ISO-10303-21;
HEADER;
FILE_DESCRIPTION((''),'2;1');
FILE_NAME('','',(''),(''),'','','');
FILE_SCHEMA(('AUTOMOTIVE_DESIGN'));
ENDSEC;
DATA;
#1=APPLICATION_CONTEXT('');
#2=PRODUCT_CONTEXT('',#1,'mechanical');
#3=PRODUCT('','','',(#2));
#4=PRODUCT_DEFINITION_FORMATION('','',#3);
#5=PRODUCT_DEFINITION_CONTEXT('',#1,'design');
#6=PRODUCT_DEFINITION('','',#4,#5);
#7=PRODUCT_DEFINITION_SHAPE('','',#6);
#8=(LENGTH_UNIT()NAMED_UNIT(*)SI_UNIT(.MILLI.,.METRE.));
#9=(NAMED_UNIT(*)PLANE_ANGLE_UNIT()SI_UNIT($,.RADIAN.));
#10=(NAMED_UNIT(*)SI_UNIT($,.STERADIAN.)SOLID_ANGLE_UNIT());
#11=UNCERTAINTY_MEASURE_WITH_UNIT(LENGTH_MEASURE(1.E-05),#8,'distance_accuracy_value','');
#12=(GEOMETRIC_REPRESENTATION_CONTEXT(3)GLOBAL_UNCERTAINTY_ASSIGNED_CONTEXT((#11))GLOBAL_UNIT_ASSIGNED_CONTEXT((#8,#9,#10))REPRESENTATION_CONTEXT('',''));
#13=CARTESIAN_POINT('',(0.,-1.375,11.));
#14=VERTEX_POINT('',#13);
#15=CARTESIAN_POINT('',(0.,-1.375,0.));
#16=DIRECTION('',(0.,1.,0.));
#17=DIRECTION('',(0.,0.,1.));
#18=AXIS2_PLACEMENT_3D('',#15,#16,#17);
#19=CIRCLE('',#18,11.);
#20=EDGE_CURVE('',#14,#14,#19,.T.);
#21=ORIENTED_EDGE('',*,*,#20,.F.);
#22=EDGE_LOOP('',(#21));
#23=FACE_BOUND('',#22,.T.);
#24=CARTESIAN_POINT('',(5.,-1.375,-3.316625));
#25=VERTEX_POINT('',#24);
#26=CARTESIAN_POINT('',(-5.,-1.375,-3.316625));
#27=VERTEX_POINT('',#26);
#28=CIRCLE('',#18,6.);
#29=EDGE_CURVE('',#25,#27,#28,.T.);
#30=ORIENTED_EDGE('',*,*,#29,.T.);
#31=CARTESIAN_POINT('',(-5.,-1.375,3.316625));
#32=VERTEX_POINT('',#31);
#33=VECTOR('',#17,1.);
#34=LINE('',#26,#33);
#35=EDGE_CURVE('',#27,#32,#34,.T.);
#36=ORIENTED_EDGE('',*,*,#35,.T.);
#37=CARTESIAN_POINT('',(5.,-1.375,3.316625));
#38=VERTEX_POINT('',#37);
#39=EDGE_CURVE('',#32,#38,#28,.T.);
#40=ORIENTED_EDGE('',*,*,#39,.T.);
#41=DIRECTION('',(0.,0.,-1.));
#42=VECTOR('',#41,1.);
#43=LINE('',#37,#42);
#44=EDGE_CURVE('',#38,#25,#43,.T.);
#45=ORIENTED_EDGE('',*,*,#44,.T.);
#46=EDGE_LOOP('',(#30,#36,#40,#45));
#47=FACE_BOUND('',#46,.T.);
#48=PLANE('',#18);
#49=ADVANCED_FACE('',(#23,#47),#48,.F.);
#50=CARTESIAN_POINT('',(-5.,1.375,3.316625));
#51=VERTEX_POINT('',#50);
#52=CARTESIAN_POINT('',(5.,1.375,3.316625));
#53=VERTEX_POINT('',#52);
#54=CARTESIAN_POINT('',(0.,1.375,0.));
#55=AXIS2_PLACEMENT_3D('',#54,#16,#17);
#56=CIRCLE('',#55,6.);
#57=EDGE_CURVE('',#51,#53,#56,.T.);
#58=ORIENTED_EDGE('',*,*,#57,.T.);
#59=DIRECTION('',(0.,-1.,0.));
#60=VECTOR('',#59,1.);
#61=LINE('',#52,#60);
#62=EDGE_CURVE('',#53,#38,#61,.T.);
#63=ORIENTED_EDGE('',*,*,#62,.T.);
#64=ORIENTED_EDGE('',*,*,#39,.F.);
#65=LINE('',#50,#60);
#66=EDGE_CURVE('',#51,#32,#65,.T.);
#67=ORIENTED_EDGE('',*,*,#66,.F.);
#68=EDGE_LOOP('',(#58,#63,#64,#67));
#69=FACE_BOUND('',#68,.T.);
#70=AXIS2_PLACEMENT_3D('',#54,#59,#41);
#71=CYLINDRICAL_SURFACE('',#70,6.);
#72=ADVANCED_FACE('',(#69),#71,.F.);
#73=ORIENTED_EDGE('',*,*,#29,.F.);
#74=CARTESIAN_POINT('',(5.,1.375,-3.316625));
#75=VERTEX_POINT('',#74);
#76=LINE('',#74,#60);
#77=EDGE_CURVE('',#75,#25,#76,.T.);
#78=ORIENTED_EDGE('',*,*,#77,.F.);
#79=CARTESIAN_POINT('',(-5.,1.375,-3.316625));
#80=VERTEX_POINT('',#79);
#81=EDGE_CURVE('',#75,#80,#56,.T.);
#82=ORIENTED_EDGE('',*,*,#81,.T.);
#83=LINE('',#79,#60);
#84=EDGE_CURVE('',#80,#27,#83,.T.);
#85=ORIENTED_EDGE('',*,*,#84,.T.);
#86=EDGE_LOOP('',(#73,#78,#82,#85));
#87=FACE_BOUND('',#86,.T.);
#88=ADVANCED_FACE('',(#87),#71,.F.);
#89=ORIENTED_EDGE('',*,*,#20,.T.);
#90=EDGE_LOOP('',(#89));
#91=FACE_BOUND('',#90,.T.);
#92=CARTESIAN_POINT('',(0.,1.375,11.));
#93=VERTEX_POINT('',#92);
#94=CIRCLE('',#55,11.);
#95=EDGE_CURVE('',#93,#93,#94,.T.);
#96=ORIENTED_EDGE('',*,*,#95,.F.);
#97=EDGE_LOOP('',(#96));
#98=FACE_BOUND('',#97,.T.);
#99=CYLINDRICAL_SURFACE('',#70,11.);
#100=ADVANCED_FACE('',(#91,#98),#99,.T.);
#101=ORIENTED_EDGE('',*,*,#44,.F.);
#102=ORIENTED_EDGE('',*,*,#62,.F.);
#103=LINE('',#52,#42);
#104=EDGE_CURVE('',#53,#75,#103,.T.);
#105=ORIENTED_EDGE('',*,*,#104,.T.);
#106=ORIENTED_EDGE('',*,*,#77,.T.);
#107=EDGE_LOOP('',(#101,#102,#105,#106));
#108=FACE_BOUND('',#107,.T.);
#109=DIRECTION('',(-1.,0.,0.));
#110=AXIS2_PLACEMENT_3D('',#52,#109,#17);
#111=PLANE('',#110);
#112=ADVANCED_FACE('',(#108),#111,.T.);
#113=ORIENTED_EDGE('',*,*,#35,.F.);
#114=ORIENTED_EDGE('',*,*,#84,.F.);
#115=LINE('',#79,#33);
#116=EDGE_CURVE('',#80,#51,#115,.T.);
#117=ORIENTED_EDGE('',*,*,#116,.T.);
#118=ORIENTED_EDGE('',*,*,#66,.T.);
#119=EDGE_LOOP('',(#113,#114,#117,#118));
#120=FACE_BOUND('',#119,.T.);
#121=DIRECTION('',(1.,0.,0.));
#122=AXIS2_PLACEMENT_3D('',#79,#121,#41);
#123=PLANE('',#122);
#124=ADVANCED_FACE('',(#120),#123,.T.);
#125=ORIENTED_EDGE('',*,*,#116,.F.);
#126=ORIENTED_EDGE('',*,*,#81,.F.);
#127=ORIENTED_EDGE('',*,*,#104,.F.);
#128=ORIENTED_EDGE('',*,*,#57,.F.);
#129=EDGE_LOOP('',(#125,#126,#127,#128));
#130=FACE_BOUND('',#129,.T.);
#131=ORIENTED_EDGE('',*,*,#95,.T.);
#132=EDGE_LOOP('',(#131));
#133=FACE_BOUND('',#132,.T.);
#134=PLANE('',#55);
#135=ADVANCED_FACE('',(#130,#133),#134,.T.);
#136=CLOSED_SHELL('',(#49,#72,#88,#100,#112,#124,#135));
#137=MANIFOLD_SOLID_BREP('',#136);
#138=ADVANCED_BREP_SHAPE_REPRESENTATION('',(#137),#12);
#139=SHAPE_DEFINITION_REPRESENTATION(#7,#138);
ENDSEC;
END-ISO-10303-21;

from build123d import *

# Parameters (mm, degrees)
SKETCH1_R           = 11
BOSS_EXTRUDE1_DEPTH = 1.375


with BuildPart() as part:
    # Sketch1 → Boss-Extrude1 (new, symmetric)
    with BuildSketch(Plane(origin=(0, 0, 0), x_dir=(1, 0, 0), z_dir=(0, 1, 0))):
        with Locations(Location((0, 0, 0), (0, 0, 270))):
            Circle(SKETCH1_R)
        with BuildLine():
            Line((-5, 3.31662479), (-5, -3.31662479))
            ThreePointArc((-5, -3.31662479), (0, -6), (5, -3.31662479))
            Line((5, -3.31662479), (5, 3.31662479))
            ThreePointArc((5, 3.31662479), (0, 6), (-5, 3.31662479))
        make_face(mode=Mode.SUBTRACT)
    extrude(amount=BOSS_EXTRUDE1_DEPTH, both=True)


solid = part.part
